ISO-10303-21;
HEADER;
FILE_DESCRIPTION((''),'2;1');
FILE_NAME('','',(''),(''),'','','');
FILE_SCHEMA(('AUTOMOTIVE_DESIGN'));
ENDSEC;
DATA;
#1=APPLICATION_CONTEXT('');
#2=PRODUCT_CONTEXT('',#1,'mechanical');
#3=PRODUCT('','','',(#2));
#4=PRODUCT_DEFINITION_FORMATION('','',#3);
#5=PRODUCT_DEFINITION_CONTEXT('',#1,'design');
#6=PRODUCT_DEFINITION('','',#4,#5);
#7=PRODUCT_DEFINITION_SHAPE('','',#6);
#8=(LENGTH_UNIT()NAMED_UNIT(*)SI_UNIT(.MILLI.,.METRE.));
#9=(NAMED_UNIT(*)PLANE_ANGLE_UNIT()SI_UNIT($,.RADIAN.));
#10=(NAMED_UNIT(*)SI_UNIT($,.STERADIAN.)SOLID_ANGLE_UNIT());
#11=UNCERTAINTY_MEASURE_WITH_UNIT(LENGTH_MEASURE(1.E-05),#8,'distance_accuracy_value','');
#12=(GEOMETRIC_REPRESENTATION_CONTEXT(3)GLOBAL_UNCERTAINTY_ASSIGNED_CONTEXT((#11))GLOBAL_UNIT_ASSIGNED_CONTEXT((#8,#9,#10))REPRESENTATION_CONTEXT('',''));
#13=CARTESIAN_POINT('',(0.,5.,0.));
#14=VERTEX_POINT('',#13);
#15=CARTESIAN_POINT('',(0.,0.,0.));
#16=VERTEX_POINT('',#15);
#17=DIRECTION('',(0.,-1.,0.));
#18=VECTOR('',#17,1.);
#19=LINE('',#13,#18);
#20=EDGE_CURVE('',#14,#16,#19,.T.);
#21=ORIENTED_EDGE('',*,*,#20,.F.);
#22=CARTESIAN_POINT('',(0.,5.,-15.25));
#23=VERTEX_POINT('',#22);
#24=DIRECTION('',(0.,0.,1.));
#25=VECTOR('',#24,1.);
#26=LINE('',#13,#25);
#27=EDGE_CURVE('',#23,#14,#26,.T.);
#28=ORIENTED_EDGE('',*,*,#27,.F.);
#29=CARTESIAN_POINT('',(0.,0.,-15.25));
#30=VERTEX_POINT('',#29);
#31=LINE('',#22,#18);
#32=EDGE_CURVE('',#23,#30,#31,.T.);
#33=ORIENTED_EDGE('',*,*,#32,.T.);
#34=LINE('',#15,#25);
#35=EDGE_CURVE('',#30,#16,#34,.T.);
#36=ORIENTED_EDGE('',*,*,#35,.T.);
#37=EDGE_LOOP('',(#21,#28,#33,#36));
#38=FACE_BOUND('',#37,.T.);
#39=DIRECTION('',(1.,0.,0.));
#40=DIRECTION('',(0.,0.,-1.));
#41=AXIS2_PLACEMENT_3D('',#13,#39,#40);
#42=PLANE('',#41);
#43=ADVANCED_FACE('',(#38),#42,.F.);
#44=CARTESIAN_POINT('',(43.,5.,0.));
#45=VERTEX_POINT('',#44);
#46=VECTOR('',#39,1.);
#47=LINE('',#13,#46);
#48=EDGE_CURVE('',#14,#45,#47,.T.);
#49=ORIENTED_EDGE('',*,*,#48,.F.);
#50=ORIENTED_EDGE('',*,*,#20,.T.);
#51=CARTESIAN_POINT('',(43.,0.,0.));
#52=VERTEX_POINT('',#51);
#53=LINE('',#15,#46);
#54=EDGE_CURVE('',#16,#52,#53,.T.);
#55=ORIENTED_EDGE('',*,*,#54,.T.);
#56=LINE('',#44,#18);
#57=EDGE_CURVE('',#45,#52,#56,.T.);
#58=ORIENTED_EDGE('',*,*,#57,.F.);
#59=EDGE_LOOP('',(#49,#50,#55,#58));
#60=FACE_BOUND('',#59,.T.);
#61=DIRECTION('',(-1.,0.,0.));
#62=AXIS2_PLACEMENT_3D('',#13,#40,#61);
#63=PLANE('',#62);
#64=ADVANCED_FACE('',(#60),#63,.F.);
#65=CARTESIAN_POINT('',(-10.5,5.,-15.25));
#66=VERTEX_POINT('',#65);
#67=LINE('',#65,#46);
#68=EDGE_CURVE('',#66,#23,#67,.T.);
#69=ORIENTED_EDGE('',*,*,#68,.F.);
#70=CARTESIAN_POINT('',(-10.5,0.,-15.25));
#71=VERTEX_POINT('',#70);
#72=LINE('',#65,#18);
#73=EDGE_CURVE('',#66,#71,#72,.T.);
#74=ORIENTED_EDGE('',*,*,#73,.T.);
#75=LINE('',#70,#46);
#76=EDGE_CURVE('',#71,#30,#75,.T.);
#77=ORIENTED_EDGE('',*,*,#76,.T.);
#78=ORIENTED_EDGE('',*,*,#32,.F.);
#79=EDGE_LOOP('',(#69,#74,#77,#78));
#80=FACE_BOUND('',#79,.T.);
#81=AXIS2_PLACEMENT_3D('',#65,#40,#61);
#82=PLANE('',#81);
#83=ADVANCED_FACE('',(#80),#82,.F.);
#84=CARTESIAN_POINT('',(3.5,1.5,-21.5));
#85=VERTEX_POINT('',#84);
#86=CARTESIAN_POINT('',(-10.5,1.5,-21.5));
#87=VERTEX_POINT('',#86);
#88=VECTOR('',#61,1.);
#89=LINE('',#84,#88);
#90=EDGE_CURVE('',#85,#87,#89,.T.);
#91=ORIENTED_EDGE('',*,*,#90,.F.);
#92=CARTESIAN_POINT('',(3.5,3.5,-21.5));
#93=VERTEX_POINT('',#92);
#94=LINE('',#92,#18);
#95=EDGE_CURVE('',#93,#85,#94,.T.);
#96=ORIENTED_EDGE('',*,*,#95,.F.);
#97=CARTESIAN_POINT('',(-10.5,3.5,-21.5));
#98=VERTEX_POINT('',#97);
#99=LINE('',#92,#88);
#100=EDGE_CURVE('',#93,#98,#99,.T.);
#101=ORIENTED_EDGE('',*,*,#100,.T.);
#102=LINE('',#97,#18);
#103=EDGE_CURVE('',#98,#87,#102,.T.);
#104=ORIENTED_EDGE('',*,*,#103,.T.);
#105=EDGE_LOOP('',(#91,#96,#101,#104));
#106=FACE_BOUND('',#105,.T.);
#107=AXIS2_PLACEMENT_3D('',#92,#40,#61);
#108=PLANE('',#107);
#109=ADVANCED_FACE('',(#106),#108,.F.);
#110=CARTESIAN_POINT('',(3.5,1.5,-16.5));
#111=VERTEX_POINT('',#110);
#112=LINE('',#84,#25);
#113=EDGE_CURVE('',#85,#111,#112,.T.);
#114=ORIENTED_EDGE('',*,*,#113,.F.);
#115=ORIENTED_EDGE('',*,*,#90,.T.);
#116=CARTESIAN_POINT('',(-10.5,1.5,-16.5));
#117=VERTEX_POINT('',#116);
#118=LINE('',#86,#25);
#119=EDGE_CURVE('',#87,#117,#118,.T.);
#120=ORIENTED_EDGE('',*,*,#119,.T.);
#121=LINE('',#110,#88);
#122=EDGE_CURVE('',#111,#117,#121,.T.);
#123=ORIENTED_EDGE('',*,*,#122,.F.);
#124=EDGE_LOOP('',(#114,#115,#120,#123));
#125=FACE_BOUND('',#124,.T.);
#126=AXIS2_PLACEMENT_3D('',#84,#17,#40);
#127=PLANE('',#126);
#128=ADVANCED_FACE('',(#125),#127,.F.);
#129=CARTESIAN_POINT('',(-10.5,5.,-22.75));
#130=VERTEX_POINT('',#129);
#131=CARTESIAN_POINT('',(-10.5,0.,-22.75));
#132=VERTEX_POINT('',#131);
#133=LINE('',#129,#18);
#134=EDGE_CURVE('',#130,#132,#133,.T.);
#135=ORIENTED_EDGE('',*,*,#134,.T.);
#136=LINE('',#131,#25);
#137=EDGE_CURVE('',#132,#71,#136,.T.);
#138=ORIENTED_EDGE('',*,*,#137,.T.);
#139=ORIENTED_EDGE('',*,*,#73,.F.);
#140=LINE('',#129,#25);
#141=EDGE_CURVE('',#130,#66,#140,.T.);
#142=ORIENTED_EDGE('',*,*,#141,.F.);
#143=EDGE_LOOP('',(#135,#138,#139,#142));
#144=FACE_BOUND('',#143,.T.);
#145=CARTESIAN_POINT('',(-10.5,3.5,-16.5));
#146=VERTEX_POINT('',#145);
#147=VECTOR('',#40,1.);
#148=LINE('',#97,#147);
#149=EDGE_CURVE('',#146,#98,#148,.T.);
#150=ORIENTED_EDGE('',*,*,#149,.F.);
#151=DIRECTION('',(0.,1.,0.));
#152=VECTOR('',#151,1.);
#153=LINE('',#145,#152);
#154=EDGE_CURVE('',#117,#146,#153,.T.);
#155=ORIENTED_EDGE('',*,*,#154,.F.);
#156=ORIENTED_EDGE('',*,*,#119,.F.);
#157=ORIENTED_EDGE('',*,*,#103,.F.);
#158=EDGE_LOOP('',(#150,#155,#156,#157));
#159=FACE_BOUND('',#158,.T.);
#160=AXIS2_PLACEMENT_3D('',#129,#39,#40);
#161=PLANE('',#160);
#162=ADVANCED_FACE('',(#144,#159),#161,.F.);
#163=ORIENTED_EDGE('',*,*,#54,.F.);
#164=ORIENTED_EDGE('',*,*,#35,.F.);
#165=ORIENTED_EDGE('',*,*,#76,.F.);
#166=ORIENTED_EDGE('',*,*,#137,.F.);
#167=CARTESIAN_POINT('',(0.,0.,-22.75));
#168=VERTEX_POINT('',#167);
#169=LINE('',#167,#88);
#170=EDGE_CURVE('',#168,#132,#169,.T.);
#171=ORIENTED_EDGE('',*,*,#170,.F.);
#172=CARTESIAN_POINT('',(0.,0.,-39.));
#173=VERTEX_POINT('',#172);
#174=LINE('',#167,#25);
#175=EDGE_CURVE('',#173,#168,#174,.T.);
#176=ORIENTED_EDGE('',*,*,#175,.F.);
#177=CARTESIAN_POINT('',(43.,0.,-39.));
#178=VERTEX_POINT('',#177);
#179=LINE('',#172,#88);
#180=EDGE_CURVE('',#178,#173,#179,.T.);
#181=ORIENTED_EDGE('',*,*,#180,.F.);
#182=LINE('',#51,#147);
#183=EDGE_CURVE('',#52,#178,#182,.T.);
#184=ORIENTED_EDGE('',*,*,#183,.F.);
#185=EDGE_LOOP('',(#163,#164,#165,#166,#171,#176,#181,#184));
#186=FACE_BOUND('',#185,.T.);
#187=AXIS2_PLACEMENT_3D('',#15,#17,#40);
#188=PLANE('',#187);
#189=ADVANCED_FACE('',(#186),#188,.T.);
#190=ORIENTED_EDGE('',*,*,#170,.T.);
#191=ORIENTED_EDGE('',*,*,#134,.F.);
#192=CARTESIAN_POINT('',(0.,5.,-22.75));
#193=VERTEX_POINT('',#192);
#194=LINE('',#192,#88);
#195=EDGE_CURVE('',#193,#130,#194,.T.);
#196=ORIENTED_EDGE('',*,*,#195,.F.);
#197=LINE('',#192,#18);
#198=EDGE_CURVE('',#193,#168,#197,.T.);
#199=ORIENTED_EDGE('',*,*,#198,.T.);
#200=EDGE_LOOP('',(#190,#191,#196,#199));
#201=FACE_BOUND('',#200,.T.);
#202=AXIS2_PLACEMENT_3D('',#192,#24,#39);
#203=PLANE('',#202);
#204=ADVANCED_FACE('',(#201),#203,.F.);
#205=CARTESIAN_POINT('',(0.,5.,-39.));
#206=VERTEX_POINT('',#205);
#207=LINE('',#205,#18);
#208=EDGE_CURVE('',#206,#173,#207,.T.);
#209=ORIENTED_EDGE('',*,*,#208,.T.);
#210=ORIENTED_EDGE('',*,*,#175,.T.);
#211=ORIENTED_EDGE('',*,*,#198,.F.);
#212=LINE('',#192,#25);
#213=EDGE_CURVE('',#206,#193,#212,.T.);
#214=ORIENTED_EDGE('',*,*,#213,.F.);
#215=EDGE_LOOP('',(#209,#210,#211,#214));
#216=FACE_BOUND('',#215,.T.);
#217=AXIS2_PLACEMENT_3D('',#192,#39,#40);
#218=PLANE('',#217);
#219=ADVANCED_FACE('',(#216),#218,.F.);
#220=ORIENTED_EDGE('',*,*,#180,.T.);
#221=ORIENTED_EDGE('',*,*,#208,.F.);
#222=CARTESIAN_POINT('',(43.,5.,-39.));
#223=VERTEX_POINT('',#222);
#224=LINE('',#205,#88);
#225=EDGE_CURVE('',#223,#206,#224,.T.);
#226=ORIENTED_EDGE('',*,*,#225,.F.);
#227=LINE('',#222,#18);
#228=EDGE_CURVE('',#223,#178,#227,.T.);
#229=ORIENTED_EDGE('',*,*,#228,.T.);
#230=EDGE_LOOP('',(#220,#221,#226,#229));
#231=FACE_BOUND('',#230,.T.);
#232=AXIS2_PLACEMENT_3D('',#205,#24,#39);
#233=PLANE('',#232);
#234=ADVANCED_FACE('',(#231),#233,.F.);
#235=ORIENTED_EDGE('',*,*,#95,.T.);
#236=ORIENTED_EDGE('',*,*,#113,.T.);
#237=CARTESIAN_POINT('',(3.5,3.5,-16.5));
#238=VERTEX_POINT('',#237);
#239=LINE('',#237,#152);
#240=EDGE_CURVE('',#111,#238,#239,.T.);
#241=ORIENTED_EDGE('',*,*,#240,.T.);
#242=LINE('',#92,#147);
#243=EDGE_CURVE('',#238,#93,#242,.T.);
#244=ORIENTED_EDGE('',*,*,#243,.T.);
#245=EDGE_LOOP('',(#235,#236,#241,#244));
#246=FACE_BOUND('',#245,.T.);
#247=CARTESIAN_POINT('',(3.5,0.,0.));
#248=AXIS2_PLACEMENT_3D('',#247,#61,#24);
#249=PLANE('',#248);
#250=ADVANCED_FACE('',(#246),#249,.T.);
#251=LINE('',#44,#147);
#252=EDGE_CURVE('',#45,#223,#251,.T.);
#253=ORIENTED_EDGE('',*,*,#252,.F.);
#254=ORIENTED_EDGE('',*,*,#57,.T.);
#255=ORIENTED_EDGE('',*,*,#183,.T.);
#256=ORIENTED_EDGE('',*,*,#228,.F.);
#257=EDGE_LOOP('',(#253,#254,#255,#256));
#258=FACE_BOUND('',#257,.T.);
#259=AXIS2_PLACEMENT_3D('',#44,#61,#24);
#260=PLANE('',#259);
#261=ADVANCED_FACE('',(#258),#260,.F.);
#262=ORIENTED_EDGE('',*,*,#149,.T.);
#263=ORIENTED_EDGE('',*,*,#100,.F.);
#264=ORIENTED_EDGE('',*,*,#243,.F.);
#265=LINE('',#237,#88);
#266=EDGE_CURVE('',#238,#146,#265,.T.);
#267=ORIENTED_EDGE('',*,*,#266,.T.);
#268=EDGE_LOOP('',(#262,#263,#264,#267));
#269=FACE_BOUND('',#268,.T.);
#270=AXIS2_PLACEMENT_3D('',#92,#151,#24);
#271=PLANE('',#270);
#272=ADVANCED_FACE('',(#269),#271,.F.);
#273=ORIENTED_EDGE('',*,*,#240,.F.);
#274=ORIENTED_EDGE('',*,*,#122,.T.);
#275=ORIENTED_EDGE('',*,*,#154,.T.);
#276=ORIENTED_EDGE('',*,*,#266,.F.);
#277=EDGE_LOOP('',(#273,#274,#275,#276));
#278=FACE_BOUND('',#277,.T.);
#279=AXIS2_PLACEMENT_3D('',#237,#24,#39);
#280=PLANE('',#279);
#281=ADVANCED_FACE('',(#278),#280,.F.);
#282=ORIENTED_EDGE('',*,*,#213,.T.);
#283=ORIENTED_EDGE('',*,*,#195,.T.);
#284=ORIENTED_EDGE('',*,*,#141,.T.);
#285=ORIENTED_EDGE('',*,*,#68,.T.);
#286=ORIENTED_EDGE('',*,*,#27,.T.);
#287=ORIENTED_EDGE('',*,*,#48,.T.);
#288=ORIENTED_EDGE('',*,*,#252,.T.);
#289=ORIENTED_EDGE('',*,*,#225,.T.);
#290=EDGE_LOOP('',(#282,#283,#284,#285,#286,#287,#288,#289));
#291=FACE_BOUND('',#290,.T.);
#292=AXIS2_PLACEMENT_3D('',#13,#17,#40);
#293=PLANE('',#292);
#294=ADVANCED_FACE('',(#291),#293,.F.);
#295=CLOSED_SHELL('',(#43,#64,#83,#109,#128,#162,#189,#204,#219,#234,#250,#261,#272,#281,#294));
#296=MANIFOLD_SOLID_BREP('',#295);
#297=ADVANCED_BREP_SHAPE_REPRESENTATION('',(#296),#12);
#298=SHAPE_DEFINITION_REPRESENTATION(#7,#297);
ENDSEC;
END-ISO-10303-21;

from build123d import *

# Parameters (mm, degrees)
BOSS_EXTRUDE1_DEPTH = 5
SKETCH3_W           = 5
SKETCH3_H           = 2
CUT_EXTRUDE1_DEPTH  = 14


with BuildPart() as part:
    # Sketch1 → Boss-Extrude1 (new body)
    with BuildSketch(Plane(origin=(0, 0, 0), x_dir=(1, 0, 0), z_dir=(0, 1, 0))):
        Polygon((0, 22.75), (-10.5, 22.75), (-10.5, 15.25), (0, 15.25), (0, 0), (43, 0), (43, 39), (0, 39), align=None)
    extrude(amount=BOSS_EXTRUDE1_DEPTH)

    # Sketch3 → Cut-Extrude1 (cut)
    with BuildSketch(Plane.ZY.offset(10.5)):
        with Locations((-19, 2.5)):
            Rectangle(SKETCH3_W, SKETCH3_H)
    extrude(amount=-CUT_EXTRUDE1_DEPTH, mode=Mode.SUBTRACT)


solid = part.part
